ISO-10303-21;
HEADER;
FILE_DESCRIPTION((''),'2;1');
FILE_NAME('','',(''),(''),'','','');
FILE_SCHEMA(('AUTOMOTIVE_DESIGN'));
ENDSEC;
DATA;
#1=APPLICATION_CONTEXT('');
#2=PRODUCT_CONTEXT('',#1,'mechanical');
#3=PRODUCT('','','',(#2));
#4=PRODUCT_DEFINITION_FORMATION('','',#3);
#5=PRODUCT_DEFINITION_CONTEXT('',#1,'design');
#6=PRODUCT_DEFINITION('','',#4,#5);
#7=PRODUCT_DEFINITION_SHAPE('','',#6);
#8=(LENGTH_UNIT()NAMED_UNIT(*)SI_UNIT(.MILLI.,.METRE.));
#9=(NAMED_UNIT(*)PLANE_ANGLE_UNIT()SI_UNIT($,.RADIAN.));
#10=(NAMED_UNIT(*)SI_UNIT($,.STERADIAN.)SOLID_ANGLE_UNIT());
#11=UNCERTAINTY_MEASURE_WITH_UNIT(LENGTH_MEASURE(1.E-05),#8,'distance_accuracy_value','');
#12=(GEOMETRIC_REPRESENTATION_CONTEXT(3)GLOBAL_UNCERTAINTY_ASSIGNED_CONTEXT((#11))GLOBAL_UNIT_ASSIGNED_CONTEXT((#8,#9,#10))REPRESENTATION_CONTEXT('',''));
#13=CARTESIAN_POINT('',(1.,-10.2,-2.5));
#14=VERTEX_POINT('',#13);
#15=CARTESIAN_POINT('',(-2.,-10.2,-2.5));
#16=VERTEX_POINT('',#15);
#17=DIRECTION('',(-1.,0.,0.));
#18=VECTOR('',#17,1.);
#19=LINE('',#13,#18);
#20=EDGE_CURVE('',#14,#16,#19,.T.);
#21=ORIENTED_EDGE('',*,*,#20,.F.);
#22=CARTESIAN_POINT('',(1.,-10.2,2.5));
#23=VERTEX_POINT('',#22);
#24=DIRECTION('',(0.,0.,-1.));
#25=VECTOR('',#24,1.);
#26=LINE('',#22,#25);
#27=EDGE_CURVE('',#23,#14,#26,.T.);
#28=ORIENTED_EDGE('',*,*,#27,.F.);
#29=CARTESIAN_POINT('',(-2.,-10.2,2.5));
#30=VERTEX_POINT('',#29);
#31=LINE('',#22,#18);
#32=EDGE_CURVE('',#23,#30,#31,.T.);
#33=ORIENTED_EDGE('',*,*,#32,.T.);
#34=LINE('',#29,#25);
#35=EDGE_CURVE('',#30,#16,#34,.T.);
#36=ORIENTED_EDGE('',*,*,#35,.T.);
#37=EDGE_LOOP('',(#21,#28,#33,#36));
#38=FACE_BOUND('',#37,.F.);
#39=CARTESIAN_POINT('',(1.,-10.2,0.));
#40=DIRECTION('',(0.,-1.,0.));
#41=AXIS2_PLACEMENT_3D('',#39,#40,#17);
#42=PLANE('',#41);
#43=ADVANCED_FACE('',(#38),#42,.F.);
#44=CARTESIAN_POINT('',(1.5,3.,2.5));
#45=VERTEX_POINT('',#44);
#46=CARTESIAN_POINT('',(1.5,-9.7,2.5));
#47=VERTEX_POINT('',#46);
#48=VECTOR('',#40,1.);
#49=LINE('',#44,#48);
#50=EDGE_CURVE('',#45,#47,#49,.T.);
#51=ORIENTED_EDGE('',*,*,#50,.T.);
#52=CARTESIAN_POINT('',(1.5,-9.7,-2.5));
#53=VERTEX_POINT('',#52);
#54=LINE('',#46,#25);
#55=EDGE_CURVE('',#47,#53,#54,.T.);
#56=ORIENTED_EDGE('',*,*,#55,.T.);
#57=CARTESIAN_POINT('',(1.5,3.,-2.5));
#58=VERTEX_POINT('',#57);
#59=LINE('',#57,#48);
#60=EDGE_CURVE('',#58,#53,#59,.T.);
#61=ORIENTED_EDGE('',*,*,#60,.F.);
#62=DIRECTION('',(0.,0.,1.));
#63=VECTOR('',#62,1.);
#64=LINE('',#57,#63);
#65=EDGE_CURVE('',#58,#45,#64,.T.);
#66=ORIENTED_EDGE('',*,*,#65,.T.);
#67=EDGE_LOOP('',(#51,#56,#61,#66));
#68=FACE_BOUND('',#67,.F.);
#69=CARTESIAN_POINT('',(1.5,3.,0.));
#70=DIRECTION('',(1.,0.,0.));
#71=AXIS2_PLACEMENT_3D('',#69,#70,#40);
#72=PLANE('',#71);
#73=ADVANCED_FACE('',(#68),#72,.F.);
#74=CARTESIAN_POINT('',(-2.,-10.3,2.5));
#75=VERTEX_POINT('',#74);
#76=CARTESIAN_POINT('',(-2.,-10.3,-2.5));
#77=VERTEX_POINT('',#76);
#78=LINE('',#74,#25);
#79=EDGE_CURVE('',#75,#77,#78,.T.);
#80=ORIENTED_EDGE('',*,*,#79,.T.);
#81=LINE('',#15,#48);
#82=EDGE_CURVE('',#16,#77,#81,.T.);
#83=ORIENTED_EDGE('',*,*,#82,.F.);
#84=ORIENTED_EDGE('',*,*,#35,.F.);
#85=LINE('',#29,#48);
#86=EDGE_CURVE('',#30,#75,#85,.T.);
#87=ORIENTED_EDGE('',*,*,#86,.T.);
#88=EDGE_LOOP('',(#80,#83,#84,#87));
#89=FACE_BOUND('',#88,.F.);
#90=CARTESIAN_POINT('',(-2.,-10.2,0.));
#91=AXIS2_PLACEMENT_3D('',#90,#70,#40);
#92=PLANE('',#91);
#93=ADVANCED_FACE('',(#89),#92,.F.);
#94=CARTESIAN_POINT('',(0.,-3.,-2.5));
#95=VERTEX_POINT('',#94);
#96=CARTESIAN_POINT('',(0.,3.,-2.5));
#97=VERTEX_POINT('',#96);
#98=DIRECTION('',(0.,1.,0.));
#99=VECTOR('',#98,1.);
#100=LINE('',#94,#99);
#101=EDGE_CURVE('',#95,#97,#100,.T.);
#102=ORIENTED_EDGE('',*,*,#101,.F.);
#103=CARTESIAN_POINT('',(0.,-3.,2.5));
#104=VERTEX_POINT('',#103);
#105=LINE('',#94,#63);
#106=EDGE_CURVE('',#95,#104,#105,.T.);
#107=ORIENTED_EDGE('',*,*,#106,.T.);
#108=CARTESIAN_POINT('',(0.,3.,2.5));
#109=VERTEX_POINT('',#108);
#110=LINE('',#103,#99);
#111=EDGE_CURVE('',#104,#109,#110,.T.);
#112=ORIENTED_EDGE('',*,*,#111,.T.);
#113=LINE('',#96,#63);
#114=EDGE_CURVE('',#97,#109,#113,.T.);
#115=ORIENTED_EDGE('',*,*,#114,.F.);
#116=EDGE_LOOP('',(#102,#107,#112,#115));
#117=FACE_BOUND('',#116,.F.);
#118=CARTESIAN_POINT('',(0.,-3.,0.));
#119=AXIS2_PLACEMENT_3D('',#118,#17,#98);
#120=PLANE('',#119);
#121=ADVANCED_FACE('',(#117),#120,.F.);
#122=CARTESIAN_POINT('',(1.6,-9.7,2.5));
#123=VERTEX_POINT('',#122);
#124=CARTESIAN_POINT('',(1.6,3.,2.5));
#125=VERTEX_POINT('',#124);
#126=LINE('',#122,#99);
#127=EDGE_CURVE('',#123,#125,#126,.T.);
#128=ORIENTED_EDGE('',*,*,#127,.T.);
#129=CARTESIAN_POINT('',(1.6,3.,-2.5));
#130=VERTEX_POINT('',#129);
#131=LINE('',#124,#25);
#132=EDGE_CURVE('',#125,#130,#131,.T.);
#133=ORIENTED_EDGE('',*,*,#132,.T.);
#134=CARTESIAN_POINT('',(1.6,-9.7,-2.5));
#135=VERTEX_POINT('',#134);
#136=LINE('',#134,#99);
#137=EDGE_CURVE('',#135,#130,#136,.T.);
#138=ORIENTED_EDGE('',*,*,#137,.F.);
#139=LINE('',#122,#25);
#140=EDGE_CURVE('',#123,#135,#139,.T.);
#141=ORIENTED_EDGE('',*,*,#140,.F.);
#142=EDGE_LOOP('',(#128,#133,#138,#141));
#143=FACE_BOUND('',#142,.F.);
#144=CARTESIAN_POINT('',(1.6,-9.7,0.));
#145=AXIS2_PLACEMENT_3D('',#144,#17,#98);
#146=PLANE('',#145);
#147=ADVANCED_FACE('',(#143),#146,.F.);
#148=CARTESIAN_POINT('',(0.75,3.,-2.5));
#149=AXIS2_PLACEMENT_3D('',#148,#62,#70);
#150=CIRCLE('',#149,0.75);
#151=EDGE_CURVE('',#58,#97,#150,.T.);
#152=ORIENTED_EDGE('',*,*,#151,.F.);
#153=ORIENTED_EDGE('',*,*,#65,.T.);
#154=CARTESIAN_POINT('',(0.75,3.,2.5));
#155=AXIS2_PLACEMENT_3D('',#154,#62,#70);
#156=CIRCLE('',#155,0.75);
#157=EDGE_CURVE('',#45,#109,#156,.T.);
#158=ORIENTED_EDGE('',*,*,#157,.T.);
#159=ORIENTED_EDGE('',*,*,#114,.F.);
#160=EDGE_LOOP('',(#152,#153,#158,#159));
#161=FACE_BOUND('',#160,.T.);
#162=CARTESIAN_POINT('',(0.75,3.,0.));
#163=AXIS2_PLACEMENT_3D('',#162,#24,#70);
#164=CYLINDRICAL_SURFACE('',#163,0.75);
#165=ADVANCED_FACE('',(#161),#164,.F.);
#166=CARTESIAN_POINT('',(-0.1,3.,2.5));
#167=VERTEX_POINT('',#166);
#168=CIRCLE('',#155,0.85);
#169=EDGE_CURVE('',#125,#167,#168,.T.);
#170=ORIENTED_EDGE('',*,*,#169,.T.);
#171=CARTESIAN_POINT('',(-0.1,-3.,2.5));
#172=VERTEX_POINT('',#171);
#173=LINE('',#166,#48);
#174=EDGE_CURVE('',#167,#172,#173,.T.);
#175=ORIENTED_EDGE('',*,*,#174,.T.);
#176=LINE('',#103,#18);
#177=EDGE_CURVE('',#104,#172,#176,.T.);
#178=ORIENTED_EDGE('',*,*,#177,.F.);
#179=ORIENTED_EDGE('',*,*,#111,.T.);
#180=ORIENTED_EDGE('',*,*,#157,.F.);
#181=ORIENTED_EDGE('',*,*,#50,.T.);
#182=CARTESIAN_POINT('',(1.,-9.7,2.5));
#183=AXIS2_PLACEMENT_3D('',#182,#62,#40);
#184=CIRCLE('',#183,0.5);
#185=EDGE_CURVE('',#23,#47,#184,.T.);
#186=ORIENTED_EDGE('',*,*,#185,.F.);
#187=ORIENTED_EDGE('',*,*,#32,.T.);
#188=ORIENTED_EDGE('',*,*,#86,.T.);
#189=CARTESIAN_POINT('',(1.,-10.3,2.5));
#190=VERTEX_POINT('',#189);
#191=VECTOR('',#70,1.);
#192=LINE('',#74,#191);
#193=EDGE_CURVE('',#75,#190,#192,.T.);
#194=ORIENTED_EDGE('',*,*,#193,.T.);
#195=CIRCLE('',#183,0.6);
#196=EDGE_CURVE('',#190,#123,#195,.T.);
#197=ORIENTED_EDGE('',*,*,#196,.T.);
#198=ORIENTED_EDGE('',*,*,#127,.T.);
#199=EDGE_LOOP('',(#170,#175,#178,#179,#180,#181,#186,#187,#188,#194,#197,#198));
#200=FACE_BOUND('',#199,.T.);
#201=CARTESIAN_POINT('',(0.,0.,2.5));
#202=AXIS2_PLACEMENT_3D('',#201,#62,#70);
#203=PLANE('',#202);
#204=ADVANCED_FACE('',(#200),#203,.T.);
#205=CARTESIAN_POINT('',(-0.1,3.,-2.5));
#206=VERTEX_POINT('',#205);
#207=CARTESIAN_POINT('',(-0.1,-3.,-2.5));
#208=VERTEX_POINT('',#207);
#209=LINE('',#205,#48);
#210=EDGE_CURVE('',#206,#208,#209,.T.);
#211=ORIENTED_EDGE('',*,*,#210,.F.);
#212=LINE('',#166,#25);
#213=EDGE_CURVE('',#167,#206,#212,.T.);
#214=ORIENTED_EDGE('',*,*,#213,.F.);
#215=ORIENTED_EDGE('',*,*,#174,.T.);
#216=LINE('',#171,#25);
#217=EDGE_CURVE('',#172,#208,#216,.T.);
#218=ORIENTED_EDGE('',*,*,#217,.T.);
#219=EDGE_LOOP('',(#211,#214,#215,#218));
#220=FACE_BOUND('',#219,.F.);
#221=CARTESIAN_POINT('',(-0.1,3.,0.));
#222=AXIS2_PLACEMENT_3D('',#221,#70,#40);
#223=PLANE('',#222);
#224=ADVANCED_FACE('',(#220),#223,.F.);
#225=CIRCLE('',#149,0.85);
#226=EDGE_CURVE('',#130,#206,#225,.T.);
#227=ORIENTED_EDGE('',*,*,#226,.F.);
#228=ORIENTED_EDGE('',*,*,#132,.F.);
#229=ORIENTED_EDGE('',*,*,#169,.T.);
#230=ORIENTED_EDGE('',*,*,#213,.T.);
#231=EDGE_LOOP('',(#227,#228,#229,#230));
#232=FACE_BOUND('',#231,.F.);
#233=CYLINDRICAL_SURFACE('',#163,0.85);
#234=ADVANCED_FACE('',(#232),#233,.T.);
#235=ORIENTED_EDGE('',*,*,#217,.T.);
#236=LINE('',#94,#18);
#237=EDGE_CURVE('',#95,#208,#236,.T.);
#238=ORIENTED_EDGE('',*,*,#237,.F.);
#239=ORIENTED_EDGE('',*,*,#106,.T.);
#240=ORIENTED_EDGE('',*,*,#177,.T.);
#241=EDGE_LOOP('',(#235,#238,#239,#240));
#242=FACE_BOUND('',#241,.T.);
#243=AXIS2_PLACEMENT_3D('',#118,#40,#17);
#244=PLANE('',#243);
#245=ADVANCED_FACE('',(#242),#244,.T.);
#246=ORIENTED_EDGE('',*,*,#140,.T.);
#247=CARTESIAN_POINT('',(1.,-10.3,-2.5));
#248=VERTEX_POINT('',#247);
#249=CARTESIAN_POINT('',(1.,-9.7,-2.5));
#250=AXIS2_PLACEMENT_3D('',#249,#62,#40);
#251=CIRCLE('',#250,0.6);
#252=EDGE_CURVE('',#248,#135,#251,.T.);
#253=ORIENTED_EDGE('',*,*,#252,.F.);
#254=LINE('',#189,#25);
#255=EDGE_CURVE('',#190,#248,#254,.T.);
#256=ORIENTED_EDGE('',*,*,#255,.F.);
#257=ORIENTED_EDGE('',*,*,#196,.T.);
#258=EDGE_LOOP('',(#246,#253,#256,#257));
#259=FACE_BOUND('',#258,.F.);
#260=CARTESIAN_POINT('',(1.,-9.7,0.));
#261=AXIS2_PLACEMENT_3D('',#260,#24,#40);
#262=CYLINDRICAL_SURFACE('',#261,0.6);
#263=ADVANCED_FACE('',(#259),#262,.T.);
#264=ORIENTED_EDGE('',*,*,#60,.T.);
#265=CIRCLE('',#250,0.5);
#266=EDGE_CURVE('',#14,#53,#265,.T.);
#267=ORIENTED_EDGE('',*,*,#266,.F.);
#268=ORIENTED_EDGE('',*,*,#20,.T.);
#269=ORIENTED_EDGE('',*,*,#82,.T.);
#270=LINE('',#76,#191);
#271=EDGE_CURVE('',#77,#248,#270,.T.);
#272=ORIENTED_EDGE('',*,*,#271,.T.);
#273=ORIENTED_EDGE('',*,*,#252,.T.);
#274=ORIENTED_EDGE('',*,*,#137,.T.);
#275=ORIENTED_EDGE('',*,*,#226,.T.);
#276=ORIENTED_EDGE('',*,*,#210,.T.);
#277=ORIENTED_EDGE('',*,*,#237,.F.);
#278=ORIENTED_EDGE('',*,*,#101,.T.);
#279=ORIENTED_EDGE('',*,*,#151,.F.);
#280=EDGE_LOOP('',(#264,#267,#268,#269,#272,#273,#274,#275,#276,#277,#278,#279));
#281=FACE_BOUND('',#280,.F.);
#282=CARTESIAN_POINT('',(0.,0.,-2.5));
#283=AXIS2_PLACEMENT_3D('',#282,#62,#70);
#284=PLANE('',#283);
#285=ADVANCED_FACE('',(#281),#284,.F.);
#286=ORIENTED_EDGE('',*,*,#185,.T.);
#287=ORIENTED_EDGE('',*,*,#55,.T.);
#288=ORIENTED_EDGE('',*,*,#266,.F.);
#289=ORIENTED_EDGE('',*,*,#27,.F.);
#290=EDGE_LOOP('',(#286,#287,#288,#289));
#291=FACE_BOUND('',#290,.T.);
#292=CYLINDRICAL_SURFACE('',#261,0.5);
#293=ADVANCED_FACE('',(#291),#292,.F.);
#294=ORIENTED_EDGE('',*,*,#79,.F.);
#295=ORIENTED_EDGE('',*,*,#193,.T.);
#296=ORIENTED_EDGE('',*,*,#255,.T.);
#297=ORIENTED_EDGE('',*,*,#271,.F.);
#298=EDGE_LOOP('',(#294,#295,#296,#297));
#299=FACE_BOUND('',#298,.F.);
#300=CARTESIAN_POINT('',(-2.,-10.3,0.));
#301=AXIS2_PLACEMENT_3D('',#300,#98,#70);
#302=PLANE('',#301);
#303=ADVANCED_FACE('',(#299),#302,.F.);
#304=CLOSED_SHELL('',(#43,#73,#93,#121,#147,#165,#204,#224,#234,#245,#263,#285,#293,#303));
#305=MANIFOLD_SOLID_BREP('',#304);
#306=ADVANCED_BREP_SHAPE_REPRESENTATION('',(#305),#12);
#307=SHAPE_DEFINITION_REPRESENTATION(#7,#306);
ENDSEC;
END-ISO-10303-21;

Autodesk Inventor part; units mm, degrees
ref_plane "YZ Plane" through (0, 0, 0) normal (1, 0, 0) x (0, 1, 0)
ref_plane "XZ Plane" through (0, 0, 0) normal (0, 1, 0) x (-1, 0, 0)
ref_plane "XY Plane" through (0, 0, 0) normal (0, 0, 1) x (1, 0, 0)
sketch "Sketch1" plane through (0, 0, 0) normal (0, 0, 1) x (1, 0, 0)
  line L0 (0, -3) -> (0, 3)
  line L1 (1.5, 3) -> (1.5, -9.7)
  line L2 (1, -10.2) -> (-2, -10.2)
  arc A0 (1.5, 3) -> (0, 3) centre (0.75, 3) ccw
  arc A1 (1, -10.2) -> (1.5, -9.7) centre (1, -9.7) ccw
  line L3 (-2, -10.3) -> (1, -10.3)
  arc A2 (1, -10.3) -> (1.6, -9.7) centre (1, -9.7) ccw
  line L4 (1.6, -9.7) -> (1.6, 3)
  arc A3 (1.6, 3) -> (-0.1, 3) centre (0.75, 3) ccw
  line L5 (-0.1, 3) -> (-0.1, -3)
  line L6 (0, -3) -> (-0.1, -3)
  line L7 (-2, -10.2) -> (-2, -10.3)
  point P0 (0, 0)
  point P1 (1.3536, -10.0536)
  dimension "d0" = 0.5
  dimension "d1" = 0.75
  dimension "d2" = 3
  dimension "d3" = 3
  dimension "d5" = 3
  dimension "d6" = 0.1
  dimension "d9" = 10.2
extrude "Extrusion1" add sketch "Sketch1" along normal mid plane 5
properties part number "battery_tab_folded" material "Steel"
